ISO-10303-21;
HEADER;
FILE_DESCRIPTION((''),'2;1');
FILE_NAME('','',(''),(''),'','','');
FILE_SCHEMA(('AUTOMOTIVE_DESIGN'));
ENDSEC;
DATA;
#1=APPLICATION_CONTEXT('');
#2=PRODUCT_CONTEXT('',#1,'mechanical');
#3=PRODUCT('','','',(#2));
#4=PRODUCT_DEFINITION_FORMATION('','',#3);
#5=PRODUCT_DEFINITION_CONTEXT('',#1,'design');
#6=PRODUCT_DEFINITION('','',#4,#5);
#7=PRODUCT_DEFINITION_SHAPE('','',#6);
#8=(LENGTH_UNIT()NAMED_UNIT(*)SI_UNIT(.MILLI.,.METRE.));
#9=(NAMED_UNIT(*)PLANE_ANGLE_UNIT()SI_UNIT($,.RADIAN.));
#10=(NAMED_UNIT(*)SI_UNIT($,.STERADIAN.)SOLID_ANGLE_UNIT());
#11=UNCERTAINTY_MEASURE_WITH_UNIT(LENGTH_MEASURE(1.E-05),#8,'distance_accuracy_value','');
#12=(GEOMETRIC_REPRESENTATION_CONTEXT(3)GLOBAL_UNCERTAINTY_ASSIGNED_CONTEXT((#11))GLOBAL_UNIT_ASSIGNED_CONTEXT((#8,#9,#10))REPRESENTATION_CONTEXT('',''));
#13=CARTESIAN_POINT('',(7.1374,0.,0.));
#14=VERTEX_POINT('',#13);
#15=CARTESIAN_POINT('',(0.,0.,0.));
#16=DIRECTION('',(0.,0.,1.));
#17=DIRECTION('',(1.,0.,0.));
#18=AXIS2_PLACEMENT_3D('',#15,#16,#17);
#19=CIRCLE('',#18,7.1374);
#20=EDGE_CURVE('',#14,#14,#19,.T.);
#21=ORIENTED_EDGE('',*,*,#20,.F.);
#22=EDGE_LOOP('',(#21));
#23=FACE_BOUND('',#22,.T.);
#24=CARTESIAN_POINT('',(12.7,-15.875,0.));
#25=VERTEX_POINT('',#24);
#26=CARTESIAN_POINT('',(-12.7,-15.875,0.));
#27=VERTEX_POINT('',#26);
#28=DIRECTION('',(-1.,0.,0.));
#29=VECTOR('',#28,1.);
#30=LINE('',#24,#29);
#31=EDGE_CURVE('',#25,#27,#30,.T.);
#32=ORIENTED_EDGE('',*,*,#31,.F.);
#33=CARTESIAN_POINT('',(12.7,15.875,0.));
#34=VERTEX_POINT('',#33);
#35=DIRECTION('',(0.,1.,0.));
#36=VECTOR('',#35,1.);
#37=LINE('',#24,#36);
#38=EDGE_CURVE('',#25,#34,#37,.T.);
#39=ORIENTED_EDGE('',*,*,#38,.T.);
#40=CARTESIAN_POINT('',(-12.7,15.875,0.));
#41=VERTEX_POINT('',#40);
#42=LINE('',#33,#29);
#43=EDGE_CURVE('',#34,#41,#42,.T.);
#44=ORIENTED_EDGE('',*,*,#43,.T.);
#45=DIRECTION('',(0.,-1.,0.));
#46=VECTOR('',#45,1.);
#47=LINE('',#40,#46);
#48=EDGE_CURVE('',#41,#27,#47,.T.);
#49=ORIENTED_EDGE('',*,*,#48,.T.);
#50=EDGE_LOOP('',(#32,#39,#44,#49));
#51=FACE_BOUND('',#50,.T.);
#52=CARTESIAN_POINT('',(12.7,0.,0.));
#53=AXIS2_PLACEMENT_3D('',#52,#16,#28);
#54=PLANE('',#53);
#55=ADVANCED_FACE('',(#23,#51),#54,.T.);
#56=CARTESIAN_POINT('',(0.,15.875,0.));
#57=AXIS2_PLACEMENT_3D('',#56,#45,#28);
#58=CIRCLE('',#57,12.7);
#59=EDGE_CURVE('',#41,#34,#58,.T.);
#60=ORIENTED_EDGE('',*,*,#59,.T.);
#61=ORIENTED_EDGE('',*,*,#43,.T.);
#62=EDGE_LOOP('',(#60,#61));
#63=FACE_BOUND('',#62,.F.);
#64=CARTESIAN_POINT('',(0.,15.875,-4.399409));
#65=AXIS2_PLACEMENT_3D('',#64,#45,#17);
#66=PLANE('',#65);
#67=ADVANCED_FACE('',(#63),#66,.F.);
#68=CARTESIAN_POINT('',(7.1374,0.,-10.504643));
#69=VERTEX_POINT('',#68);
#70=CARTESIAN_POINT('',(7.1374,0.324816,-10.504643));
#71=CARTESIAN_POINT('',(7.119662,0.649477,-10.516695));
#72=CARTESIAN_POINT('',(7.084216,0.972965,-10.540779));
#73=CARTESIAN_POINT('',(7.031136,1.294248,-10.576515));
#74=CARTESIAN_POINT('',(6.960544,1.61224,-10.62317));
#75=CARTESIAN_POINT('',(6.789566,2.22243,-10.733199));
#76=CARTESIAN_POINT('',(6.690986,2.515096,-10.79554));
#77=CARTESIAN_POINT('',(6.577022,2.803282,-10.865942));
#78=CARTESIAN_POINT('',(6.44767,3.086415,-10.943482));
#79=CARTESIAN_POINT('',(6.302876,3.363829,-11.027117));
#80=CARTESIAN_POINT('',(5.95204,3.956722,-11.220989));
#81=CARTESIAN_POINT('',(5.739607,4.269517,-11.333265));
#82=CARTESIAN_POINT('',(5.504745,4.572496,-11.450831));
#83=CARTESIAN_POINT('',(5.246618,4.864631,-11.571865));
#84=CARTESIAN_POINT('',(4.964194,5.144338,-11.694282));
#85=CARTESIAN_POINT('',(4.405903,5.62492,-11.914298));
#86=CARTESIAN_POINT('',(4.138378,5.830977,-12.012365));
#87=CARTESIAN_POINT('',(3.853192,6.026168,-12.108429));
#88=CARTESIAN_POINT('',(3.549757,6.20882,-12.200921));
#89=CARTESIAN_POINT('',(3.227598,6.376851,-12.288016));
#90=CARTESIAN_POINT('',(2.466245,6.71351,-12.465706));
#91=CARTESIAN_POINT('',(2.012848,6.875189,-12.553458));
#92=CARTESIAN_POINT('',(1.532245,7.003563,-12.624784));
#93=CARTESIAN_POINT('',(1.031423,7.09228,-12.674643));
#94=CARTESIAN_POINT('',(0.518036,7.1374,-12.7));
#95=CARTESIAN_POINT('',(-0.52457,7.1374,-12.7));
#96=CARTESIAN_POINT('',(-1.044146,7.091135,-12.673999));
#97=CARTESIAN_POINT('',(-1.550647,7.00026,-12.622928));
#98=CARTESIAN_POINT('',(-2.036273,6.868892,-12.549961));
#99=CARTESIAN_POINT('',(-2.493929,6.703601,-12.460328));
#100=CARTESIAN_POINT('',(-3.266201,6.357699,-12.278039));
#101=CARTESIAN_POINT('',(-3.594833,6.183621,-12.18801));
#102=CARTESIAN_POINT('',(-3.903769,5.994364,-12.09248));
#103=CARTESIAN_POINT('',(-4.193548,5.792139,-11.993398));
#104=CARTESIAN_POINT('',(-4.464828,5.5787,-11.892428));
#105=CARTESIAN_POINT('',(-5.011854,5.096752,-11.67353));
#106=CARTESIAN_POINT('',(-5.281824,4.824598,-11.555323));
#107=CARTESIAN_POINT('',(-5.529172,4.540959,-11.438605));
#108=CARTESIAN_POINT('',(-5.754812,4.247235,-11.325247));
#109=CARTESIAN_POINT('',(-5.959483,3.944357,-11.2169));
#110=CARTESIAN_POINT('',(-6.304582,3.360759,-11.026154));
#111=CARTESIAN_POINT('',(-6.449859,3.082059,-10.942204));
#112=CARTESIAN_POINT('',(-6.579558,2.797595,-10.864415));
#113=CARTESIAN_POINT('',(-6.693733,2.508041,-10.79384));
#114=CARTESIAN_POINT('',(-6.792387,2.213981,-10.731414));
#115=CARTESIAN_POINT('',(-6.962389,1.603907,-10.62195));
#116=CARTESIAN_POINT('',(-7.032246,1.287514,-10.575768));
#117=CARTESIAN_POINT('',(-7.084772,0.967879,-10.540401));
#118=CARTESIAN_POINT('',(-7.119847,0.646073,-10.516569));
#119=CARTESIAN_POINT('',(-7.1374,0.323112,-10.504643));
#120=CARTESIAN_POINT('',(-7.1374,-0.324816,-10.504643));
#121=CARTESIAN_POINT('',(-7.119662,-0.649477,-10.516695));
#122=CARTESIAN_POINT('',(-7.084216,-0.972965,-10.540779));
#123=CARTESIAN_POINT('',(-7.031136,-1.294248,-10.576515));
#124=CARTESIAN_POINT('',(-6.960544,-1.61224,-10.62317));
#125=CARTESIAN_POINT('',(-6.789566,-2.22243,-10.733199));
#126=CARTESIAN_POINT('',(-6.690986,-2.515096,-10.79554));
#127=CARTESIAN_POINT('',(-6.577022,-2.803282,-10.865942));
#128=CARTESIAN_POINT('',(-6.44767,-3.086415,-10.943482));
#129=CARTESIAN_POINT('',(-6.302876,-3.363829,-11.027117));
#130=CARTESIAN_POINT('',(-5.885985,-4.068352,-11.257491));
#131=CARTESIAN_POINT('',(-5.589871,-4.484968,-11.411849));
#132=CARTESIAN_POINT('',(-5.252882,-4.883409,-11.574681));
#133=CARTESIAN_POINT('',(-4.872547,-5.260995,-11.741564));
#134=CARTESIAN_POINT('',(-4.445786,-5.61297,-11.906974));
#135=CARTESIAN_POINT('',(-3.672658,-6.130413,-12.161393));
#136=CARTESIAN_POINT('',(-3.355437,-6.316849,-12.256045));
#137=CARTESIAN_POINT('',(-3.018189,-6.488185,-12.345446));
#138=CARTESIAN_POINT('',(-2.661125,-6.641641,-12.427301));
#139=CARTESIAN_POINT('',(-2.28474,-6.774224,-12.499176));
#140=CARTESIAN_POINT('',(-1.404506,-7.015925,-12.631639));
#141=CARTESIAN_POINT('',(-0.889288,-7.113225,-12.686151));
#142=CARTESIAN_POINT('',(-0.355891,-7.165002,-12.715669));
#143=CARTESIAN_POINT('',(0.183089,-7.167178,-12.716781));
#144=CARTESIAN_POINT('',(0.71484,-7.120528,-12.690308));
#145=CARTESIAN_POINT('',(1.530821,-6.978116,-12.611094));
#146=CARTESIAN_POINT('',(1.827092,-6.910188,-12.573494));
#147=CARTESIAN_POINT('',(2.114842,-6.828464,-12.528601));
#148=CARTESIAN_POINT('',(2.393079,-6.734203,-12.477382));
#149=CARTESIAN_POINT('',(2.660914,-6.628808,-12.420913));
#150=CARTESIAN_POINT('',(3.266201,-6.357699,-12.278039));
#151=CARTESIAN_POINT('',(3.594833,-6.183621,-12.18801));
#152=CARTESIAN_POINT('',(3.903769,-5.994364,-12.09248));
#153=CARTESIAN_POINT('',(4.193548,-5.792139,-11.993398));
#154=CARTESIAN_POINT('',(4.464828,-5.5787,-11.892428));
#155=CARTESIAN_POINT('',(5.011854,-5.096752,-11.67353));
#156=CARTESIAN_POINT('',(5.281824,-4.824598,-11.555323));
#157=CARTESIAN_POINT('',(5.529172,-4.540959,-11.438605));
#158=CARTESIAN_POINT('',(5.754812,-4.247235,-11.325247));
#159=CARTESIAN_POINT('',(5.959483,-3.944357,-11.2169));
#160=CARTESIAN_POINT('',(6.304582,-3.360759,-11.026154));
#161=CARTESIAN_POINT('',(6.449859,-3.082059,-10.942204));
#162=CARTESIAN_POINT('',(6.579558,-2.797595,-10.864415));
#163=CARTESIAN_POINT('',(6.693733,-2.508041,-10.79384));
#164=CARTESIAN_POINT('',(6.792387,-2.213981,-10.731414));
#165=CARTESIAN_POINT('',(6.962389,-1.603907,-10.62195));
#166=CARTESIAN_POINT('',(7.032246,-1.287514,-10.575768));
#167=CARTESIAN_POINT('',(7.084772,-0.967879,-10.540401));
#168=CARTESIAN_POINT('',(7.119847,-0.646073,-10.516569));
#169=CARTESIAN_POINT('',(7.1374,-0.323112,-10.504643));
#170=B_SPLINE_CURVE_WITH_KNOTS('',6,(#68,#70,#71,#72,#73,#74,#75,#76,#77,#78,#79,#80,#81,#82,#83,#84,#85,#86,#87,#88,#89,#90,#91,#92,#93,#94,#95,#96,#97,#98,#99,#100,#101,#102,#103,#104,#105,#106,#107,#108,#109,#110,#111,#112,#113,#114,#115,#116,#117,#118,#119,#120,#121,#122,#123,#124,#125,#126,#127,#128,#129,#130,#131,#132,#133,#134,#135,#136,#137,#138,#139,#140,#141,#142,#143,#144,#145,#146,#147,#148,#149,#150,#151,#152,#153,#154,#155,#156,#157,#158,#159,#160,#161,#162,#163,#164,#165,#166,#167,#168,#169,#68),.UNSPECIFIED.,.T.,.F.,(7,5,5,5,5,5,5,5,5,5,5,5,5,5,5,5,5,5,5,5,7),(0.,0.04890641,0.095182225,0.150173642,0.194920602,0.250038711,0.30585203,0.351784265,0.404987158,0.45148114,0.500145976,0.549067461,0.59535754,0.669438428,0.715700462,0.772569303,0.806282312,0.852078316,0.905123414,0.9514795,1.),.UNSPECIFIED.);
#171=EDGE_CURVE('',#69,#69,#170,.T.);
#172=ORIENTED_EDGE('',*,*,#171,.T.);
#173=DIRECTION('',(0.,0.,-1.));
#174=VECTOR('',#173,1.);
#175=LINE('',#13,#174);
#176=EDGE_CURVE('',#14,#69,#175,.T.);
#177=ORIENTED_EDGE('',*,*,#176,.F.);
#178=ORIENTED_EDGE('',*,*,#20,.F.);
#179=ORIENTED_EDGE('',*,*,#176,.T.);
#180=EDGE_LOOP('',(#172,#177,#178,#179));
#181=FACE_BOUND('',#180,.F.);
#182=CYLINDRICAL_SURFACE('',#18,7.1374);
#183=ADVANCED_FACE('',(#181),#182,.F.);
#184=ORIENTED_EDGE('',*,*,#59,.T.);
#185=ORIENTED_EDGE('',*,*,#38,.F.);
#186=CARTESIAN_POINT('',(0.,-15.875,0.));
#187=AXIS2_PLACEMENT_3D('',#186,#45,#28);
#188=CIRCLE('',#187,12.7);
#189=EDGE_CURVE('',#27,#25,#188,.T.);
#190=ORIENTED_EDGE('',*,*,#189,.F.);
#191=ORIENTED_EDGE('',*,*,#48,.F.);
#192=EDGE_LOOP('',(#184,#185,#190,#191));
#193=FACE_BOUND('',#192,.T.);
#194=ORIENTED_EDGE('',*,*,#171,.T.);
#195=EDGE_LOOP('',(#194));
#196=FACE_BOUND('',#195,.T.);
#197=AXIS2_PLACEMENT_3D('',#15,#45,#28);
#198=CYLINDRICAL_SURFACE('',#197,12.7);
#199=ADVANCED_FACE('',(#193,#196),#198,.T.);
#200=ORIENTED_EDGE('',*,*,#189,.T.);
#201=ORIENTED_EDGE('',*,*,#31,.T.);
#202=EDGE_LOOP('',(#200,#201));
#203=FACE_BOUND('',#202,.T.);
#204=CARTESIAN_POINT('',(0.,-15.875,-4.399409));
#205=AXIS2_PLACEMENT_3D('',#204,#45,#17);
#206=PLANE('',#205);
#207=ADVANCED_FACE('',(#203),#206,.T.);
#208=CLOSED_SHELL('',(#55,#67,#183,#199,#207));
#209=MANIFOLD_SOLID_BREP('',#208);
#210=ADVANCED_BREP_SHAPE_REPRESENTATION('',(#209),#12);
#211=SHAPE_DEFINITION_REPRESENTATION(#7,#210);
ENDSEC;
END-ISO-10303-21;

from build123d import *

# Parameters (mm, degrees)
F1_DEPTH = 15.875
F2_R     = 7.1374
F3_DEPTH = 25.4


with BuildPart() as f1:
    # F0 (on Front) → F1 (new body, symmetric)
    with BuildSketch(Plane.XZ):
        with BuildLine():
            Line((12.7, 0), (-12.7, 0))
            ThreePointArc((-12.7, 0), (0, -12.7), (12.7, 0))
        make_face()
    extrude(amount=F1_DEPTH, both=True)

    # F2 (on face) → F3 (cut)
    with BuildSketch(Plane.XY):
        Circle(F2_R)
    extrude(amount=-F3_DEPTH, mode=Mode.SUBTRACT)


solid = f1.part
